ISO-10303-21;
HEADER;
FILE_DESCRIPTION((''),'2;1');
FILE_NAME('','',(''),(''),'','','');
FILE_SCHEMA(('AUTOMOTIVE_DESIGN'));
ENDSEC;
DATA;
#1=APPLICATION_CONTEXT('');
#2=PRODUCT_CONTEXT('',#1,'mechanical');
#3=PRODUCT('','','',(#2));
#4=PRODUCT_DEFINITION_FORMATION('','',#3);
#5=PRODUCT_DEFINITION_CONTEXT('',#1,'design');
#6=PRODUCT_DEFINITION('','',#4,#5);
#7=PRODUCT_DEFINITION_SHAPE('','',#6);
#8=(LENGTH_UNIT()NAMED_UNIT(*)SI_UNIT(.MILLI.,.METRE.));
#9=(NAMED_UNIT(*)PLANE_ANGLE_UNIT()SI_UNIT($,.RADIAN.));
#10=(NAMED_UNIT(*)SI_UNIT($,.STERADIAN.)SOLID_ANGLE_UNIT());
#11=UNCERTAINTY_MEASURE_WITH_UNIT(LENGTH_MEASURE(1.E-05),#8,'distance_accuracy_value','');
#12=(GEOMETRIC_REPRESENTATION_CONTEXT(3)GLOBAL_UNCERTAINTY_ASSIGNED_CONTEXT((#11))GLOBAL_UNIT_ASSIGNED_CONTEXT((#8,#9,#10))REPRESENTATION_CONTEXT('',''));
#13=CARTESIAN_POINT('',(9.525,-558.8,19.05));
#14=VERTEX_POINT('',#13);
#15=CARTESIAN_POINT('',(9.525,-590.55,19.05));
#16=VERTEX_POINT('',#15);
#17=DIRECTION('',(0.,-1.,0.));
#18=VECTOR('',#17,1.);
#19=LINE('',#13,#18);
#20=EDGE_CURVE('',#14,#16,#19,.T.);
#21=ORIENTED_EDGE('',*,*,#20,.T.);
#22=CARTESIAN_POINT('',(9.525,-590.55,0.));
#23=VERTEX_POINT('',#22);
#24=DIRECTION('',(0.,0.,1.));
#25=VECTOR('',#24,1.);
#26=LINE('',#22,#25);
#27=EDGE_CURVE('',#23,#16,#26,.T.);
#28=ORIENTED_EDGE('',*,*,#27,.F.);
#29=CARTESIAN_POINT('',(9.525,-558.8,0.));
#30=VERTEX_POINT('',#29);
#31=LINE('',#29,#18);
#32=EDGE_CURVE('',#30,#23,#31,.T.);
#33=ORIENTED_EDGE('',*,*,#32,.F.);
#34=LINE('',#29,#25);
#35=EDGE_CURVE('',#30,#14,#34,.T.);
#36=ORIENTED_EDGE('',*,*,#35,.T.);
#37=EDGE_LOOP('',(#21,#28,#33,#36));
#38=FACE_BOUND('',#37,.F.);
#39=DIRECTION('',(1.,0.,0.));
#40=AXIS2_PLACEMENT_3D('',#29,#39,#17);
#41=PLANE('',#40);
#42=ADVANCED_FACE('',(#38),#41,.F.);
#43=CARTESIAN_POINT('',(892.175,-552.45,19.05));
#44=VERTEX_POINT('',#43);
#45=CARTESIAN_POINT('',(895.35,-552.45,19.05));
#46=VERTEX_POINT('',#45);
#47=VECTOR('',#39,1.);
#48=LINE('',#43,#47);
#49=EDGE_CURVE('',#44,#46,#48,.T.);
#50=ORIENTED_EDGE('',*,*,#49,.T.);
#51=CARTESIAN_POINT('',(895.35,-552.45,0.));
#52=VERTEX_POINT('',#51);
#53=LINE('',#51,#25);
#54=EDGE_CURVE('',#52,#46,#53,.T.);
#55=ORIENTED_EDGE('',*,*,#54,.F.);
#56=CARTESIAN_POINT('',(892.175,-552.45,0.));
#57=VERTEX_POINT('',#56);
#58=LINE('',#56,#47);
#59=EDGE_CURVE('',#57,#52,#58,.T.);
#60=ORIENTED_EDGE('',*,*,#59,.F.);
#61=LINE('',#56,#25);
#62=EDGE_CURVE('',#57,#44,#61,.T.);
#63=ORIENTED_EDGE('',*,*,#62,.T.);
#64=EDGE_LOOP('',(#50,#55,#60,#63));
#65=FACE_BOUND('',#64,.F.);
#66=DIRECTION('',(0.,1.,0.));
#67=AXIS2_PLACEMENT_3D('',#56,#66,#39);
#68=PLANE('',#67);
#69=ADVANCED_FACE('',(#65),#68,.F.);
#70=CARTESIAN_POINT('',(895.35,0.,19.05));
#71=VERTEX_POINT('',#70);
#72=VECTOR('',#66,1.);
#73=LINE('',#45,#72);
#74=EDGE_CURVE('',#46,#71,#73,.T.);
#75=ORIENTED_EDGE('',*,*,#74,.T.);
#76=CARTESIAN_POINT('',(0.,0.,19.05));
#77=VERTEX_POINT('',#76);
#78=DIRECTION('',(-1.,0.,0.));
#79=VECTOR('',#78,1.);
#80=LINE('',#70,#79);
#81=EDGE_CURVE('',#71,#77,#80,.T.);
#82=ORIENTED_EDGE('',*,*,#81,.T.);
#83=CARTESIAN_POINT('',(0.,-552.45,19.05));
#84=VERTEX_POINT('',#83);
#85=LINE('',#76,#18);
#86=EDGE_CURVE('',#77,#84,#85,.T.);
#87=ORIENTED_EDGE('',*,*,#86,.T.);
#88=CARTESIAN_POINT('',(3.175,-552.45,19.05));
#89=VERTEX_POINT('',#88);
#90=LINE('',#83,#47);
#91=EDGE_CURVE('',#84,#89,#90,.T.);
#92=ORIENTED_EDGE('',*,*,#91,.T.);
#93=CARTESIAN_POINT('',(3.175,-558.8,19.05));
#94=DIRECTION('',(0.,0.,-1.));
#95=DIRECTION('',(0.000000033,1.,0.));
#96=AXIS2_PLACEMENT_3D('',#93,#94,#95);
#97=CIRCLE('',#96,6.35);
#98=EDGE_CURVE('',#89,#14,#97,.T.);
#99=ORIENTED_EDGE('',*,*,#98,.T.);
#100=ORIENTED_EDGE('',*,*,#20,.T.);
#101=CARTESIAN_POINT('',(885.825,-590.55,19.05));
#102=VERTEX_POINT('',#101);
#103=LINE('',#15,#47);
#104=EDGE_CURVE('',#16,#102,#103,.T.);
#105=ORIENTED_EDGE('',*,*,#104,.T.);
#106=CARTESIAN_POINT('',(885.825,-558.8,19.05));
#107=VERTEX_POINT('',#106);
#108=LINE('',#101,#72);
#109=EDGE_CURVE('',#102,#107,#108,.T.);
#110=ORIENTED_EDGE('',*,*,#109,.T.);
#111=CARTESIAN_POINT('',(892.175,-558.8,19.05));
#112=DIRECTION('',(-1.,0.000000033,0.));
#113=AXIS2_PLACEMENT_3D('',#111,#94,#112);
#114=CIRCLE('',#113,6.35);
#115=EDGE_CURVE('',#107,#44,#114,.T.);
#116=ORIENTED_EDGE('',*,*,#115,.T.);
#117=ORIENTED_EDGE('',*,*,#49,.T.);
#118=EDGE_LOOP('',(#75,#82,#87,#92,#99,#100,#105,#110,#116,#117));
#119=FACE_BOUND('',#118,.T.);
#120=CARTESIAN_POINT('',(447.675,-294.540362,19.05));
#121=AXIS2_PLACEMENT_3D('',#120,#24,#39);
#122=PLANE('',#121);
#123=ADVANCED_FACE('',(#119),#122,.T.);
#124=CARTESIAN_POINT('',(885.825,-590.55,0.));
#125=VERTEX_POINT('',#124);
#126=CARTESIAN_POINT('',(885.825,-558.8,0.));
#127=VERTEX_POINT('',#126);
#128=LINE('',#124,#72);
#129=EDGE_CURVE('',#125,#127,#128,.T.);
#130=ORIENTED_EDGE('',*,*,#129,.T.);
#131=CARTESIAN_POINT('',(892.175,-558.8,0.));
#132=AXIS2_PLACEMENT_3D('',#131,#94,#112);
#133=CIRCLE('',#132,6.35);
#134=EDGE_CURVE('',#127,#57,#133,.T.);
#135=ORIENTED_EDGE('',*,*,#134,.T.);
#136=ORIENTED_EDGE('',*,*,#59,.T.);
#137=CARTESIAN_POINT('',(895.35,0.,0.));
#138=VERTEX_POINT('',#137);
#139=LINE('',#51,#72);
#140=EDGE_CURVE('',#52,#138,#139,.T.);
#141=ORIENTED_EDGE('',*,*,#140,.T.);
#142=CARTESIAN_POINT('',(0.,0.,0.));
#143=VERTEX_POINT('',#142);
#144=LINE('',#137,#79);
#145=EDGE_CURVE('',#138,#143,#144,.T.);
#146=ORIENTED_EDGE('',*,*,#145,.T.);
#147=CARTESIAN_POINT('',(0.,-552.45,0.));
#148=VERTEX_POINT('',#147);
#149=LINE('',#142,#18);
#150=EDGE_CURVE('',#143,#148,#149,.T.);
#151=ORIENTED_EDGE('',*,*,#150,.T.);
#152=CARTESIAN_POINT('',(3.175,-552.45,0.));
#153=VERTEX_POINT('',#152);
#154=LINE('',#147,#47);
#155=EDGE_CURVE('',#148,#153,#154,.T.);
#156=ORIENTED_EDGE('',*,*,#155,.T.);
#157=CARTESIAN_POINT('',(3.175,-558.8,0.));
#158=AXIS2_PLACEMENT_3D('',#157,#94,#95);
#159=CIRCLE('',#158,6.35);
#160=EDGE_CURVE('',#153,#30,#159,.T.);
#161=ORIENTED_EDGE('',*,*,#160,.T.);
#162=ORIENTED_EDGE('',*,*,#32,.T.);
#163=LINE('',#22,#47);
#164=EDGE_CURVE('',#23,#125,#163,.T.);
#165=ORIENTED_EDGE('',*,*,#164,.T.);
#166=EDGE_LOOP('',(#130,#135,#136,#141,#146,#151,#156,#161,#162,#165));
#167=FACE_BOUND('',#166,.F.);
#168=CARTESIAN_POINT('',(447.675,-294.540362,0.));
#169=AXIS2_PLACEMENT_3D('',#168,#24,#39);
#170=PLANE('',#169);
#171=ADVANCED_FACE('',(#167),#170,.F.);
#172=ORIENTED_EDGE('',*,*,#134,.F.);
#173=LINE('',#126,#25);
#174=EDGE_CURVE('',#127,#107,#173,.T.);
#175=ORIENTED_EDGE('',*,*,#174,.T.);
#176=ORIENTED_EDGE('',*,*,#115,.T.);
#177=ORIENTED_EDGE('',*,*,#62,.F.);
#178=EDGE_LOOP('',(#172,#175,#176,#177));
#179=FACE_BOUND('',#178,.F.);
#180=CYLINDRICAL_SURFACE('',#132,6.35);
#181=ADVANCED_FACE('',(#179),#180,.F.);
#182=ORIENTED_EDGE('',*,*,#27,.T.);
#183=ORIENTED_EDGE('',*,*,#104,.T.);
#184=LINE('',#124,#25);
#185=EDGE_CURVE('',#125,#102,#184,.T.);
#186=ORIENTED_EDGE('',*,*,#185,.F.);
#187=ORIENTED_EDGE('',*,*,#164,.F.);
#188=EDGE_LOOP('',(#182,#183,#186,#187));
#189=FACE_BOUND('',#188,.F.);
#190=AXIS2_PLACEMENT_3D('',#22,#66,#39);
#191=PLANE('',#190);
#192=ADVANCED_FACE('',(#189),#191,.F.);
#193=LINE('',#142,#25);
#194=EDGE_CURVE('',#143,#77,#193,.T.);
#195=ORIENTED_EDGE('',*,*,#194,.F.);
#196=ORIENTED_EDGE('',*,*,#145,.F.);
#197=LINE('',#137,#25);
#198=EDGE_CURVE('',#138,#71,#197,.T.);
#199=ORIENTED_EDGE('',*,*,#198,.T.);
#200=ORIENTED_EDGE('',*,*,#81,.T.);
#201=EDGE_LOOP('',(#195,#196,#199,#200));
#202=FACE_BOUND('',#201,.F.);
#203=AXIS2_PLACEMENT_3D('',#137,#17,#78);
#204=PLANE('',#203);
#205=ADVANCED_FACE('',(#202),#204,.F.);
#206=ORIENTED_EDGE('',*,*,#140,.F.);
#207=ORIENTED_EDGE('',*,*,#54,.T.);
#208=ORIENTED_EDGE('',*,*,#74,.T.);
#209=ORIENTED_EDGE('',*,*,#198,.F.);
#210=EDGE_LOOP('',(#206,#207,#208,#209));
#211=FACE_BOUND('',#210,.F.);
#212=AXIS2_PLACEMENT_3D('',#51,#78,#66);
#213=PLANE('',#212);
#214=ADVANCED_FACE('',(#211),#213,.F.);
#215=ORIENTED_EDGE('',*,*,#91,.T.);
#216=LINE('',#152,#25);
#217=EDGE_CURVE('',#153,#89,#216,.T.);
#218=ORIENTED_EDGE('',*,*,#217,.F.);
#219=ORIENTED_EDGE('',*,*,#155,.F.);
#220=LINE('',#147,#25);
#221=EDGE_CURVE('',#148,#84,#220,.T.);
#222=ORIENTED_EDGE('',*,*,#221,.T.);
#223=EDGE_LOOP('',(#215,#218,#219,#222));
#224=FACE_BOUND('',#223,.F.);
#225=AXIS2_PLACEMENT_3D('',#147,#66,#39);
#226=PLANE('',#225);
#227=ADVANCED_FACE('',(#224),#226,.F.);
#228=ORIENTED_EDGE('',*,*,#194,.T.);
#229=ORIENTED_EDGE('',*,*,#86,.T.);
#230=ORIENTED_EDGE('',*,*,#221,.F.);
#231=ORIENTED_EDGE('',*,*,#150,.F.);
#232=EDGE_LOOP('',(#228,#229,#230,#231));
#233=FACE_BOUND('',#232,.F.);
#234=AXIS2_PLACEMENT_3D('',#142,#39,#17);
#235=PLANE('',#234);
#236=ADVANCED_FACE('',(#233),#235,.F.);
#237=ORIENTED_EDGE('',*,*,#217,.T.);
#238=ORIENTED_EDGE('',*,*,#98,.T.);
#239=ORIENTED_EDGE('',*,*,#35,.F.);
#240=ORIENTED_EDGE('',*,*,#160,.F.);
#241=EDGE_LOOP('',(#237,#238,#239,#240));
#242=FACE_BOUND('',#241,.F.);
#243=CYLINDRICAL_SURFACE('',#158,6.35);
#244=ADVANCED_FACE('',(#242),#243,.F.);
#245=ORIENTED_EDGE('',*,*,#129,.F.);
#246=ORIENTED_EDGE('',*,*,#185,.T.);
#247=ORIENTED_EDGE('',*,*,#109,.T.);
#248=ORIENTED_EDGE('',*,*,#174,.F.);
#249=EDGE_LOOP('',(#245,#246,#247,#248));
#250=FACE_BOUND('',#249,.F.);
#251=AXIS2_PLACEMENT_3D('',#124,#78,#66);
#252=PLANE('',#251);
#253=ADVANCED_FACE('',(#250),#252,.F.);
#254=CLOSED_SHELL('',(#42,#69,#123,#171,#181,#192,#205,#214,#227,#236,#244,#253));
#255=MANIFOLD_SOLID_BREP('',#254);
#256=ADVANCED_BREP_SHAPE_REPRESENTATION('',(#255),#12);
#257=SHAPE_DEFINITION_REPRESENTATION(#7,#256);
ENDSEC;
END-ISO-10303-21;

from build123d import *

# Parameters (mm, degrees)
F1_DEPTH = 19.05


with BuildPart() as f1:
    # F0 (on Top) → F1 (new body)
    with BuildSketch(Plane.XY):
        with BuildLine():
            Line((895.35, 0), (0, 0))
            Line((0, 0), (0, -552.45))
            Line((0, -552.45), (3.175, -552.45))
            ThreePointArc((3.175, -552.45), (7.665128, -554.309872), (9.525, -558.8))
            Line((9.525, -558.8), (9.525, -590.55))
            Line((9.525, -590.55), (885.825, -590.55))
            Line((885.825, -590.55), (885.825, -558.8))
            ThreePointArc((885.825, -558.8), (887.684872, -554.309872), (892.175, -552.45))
            Line((892.175, -552.45), (895.35, -552.45))
            Line((895.35, -552.45), (895.35, 0))
        make_face()
    extrude(amount=F1_DEPTH)


solid = f1.part
